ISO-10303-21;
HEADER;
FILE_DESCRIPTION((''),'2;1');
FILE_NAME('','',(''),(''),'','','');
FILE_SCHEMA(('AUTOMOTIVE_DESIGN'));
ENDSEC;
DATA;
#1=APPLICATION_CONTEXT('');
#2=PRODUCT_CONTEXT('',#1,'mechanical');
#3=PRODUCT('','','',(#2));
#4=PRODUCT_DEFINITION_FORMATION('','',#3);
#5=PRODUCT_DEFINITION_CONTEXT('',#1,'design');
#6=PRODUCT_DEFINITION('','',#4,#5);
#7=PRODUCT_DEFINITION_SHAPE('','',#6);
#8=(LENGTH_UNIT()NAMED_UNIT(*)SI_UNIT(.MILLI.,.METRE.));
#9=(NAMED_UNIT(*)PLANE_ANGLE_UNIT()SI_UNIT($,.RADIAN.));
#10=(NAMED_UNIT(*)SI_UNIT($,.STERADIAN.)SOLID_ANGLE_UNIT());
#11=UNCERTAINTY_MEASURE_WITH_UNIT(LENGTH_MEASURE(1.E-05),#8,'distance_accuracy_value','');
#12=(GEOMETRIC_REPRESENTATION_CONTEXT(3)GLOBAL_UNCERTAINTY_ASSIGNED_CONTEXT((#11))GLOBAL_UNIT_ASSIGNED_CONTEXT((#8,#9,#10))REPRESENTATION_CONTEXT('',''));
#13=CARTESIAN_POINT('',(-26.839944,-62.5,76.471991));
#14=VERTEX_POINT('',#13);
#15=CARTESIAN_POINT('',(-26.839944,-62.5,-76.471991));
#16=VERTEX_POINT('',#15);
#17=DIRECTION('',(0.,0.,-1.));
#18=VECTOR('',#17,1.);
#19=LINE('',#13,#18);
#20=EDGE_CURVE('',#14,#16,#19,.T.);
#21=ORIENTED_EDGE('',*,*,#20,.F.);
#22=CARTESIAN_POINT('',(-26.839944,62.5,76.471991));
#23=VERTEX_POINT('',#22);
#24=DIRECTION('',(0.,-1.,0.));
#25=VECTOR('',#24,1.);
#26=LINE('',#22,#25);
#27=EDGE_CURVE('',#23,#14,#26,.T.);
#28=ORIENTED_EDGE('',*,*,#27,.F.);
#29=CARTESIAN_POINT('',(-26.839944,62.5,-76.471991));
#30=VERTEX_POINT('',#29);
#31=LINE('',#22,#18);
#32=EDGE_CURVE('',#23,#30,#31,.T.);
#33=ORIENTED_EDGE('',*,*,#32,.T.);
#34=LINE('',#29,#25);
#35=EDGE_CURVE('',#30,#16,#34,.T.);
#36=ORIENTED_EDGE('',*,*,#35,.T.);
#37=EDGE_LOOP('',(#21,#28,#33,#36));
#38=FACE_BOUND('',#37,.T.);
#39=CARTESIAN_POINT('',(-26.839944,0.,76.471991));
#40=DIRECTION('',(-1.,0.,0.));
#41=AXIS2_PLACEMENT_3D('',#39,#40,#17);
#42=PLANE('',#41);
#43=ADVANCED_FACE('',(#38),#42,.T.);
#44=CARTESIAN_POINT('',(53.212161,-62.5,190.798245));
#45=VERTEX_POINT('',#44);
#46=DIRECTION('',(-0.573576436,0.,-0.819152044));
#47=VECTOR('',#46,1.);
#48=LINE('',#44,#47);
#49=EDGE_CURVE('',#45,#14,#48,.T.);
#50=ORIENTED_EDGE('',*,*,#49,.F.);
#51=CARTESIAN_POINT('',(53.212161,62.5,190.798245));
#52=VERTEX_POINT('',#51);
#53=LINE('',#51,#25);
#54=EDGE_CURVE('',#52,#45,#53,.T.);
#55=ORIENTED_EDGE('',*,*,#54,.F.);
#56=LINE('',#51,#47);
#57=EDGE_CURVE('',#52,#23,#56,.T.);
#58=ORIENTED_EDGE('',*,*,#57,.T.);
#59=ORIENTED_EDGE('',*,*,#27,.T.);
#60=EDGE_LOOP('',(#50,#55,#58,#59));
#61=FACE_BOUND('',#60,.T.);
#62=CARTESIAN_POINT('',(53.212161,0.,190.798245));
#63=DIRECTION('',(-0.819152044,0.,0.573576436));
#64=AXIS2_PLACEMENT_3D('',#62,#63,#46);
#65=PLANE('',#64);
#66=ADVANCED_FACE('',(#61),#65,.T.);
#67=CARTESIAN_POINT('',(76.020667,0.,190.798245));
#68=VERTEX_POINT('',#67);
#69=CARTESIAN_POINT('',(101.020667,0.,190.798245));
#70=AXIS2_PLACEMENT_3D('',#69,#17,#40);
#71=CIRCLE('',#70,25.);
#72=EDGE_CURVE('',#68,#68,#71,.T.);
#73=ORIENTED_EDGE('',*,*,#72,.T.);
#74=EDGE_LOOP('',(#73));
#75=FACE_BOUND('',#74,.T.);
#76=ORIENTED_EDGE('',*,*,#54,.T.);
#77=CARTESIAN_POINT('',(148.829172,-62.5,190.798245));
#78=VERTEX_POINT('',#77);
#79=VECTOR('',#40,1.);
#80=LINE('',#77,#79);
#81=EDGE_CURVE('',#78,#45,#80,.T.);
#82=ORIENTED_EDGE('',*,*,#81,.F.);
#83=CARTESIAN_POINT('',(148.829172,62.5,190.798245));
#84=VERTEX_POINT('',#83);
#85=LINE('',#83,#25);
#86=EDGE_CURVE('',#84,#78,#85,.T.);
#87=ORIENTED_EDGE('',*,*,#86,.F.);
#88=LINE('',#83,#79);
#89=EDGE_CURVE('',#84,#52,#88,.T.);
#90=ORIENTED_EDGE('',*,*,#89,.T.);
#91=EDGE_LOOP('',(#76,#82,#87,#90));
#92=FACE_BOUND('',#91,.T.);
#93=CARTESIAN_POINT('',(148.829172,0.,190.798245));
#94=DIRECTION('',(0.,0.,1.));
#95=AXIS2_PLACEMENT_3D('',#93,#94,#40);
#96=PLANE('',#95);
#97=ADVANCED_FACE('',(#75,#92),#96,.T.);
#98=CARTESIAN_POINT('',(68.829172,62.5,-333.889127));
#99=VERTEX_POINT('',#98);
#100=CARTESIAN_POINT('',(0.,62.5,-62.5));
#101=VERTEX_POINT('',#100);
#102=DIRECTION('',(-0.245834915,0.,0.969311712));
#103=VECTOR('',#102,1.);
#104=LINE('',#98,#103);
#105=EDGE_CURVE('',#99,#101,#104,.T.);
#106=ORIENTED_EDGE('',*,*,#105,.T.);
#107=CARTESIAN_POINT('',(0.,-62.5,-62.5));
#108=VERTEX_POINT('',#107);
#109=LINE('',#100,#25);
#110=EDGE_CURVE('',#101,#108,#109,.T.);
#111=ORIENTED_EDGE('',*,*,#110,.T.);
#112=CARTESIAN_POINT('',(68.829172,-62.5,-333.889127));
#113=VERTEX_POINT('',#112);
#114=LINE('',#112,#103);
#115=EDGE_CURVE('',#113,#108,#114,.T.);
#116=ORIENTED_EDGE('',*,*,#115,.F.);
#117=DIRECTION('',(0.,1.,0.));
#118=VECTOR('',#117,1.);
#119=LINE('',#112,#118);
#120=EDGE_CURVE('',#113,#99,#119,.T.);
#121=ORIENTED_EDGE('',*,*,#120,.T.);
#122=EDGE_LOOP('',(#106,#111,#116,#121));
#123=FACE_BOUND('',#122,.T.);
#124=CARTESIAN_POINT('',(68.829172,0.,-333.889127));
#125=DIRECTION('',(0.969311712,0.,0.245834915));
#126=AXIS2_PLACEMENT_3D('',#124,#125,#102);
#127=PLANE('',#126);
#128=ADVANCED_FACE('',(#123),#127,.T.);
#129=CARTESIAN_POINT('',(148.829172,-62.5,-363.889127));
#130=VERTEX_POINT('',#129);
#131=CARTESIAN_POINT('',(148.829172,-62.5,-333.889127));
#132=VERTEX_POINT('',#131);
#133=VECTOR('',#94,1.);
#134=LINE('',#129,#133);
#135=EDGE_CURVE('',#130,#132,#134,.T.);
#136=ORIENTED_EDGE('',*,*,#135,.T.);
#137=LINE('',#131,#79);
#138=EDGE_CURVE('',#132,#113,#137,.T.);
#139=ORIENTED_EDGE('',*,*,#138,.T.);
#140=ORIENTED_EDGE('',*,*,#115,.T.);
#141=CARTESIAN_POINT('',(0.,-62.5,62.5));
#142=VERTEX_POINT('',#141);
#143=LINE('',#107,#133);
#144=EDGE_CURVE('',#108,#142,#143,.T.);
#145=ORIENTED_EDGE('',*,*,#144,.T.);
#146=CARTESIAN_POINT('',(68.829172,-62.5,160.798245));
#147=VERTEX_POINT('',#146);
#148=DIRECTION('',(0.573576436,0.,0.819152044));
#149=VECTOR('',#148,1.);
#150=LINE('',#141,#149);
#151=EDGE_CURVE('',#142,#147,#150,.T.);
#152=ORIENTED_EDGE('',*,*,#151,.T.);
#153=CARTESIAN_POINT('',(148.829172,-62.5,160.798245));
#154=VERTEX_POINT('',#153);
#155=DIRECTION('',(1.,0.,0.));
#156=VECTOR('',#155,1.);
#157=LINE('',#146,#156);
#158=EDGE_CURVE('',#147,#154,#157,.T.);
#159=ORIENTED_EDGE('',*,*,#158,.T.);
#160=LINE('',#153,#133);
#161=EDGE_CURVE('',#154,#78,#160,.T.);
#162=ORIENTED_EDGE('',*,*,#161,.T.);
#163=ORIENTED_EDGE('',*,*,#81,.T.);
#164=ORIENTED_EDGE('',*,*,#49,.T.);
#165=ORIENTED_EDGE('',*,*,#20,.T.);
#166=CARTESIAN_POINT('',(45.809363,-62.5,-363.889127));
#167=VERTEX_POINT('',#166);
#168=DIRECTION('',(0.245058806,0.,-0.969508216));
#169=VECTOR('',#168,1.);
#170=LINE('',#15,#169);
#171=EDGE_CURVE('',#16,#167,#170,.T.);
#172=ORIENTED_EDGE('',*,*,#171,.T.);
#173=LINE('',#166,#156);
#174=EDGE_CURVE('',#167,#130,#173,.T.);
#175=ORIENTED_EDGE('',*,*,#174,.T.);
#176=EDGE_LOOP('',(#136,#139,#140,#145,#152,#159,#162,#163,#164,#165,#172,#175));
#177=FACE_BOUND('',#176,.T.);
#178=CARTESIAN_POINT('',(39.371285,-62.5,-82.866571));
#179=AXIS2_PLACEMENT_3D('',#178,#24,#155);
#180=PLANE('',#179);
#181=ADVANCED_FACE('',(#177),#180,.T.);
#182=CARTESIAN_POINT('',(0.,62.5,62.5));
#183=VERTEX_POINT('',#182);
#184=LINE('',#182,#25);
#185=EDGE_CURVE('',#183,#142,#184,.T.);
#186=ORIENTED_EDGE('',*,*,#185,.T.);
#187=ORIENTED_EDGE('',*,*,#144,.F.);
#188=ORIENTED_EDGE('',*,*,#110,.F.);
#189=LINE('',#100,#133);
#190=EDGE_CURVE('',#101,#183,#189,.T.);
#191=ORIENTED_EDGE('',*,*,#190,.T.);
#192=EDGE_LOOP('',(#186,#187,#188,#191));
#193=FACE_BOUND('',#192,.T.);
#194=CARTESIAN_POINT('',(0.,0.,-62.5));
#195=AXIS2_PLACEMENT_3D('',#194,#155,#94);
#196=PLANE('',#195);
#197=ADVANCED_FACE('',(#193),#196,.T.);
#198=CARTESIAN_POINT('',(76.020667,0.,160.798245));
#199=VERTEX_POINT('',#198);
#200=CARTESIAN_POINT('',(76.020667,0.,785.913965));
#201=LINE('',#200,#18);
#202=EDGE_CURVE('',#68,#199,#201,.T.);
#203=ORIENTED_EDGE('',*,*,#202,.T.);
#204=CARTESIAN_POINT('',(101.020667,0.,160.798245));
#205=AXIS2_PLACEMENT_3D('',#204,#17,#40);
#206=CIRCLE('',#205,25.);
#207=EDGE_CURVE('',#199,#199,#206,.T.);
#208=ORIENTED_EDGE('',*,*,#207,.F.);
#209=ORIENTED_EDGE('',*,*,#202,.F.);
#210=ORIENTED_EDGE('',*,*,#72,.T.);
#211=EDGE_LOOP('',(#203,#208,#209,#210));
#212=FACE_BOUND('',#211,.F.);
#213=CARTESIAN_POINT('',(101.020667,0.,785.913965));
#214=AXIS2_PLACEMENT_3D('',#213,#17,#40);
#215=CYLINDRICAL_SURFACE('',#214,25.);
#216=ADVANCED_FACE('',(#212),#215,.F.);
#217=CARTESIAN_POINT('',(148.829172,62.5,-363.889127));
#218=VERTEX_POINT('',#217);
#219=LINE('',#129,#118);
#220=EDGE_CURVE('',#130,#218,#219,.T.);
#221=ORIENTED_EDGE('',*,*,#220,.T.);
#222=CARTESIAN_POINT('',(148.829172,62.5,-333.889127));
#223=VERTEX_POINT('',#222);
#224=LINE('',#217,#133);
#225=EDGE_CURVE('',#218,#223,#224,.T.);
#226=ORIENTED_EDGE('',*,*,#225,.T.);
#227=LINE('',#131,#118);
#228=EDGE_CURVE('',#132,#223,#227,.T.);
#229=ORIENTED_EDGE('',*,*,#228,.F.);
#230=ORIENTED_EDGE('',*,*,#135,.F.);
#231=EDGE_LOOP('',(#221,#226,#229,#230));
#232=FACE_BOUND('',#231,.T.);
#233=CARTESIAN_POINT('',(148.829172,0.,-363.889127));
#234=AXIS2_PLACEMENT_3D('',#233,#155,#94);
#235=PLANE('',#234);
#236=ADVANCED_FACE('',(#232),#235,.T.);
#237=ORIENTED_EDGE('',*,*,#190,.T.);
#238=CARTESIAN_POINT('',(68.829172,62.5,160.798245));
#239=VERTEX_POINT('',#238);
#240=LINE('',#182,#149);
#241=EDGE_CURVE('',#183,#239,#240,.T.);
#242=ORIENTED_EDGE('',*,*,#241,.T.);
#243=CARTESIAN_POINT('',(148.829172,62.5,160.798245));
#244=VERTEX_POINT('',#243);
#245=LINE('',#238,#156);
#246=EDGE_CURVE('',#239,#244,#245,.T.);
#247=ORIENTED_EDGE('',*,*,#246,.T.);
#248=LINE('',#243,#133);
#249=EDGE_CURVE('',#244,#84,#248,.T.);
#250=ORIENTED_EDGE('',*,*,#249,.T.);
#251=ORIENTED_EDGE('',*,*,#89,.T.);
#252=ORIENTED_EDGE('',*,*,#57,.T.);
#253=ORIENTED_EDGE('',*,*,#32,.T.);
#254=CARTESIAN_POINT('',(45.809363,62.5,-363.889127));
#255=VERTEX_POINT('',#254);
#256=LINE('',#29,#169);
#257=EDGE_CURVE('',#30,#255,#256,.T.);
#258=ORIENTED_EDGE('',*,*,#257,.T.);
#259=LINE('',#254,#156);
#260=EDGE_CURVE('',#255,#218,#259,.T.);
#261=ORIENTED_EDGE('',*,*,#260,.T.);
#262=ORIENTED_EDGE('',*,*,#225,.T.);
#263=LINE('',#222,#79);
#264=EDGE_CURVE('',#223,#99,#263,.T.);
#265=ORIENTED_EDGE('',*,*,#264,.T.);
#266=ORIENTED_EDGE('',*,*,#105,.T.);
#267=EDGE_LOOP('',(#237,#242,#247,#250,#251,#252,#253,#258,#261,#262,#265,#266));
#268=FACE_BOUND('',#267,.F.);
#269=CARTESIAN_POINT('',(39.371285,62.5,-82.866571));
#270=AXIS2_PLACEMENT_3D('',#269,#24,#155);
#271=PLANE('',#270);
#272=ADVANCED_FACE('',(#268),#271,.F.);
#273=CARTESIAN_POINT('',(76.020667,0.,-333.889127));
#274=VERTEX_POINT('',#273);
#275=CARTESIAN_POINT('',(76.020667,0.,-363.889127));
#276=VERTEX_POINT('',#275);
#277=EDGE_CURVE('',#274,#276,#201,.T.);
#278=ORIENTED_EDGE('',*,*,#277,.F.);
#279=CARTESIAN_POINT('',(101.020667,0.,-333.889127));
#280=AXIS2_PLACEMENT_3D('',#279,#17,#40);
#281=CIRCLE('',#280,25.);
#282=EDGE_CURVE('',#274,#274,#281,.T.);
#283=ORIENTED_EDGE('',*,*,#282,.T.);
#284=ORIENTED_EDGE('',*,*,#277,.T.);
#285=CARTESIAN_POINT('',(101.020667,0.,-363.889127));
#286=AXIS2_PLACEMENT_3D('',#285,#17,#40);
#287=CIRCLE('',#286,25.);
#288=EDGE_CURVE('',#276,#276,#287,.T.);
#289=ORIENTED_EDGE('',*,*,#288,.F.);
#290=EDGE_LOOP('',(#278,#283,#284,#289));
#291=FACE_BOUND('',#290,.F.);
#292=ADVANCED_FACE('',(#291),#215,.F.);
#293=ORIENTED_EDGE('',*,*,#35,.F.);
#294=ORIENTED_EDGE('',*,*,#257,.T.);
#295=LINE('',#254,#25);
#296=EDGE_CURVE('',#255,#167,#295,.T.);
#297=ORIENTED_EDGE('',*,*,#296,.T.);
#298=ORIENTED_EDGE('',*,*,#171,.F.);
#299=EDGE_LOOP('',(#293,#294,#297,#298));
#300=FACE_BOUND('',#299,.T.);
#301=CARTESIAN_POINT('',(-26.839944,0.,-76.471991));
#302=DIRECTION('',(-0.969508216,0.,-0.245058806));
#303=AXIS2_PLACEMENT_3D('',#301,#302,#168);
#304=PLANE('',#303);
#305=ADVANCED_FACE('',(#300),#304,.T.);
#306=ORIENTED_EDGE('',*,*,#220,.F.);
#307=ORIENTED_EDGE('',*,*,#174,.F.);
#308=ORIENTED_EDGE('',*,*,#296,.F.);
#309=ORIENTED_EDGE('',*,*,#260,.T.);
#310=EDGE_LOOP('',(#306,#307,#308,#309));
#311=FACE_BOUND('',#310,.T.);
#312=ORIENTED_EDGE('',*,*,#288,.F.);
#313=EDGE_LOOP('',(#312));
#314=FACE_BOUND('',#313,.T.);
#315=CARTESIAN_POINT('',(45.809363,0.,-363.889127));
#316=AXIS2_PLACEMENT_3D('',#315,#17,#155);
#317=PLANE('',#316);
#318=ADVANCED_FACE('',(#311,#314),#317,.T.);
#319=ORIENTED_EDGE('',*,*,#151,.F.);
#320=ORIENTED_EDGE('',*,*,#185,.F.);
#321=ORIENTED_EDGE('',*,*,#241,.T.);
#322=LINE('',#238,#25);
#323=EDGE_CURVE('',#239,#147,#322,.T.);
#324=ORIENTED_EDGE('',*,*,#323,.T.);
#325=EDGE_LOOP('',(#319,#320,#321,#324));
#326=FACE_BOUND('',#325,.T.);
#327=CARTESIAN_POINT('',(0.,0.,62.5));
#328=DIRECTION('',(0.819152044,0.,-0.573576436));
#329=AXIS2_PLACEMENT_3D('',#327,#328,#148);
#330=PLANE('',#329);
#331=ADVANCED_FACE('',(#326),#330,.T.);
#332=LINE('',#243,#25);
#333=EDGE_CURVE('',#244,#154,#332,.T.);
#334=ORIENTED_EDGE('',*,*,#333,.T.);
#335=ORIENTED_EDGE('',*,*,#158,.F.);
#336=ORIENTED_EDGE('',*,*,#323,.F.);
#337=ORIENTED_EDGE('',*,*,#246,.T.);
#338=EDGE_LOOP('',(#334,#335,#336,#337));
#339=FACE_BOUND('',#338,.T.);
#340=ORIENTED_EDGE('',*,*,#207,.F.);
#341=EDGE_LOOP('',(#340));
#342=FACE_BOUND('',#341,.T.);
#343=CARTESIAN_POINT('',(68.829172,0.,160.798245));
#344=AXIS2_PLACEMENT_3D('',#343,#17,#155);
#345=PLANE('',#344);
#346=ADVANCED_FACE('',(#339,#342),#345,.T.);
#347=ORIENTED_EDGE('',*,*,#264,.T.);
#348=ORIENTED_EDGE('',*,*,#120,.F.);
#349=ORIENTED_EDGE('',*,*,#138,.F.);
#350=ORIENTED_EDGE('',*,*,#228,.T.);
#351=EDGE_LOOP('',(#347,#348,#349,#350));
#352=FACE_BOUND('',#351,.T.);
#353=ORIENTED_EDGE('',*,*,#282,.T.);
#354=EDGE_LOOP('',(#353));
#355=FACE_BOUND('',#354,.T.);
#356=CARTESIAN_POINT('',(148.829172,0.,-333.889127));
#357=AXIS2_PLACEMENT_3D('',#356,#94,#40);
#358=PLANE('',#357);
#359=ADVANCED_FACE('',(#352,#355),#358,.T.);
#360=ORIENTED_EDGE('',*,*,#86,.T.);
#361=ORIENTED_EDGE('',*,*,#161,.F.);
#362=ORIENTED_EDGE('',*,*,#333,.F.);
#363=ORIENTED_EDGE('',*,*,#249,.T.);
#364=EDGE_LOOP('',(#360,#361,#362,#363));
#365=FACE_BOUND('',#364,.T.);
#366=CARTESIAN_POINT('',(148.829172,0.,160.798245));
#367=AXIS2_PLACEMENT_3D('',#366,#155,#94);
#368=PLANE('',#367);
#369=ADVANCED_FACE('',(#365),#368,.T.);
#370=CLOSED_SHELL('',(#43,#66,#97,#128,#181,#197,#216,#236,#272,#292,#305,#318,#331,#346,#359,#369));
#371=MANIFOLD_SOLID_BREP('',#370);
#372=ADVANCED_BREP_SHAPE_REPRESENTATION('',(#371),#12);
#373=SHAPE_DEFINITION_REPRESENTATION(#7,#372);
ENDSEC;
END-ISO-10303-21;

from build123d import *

# Parameters (mm, degrees)
F1_DEPTH = 62.5
F3_D     = 50


with BuildPart() as f1:
    # F0 (on Front) → F1 (new body, symmetric)
    with BuildSketch(Plane.XZ):
        Polygon((68.8291723621, -333.8891267776), (0, -62.5), (0, 62.5), (68.8291723621, 160.7982453147), (148.8291723621, 160.7982453147), (148.8291723621, 190.7982453147), (53.2121608456, 190.7982453147), (-26.8399444408, 76.4719907145), (-26.8399444408, -76.4719907145), (45.8093627228, -363.8891267776), (148.8291723621, -363.8891267776), (148.8291723621, -333.8891267776), align=None)
    extrude(amount=F1_DEPTH, both=True)

    # F3 (through all)
    with Locations(Plane.XY.offset(190.7982453147)):
        with Locations((101.0206666038, 0)):
            Hole(F3_D / 2)


solid = f1.part
